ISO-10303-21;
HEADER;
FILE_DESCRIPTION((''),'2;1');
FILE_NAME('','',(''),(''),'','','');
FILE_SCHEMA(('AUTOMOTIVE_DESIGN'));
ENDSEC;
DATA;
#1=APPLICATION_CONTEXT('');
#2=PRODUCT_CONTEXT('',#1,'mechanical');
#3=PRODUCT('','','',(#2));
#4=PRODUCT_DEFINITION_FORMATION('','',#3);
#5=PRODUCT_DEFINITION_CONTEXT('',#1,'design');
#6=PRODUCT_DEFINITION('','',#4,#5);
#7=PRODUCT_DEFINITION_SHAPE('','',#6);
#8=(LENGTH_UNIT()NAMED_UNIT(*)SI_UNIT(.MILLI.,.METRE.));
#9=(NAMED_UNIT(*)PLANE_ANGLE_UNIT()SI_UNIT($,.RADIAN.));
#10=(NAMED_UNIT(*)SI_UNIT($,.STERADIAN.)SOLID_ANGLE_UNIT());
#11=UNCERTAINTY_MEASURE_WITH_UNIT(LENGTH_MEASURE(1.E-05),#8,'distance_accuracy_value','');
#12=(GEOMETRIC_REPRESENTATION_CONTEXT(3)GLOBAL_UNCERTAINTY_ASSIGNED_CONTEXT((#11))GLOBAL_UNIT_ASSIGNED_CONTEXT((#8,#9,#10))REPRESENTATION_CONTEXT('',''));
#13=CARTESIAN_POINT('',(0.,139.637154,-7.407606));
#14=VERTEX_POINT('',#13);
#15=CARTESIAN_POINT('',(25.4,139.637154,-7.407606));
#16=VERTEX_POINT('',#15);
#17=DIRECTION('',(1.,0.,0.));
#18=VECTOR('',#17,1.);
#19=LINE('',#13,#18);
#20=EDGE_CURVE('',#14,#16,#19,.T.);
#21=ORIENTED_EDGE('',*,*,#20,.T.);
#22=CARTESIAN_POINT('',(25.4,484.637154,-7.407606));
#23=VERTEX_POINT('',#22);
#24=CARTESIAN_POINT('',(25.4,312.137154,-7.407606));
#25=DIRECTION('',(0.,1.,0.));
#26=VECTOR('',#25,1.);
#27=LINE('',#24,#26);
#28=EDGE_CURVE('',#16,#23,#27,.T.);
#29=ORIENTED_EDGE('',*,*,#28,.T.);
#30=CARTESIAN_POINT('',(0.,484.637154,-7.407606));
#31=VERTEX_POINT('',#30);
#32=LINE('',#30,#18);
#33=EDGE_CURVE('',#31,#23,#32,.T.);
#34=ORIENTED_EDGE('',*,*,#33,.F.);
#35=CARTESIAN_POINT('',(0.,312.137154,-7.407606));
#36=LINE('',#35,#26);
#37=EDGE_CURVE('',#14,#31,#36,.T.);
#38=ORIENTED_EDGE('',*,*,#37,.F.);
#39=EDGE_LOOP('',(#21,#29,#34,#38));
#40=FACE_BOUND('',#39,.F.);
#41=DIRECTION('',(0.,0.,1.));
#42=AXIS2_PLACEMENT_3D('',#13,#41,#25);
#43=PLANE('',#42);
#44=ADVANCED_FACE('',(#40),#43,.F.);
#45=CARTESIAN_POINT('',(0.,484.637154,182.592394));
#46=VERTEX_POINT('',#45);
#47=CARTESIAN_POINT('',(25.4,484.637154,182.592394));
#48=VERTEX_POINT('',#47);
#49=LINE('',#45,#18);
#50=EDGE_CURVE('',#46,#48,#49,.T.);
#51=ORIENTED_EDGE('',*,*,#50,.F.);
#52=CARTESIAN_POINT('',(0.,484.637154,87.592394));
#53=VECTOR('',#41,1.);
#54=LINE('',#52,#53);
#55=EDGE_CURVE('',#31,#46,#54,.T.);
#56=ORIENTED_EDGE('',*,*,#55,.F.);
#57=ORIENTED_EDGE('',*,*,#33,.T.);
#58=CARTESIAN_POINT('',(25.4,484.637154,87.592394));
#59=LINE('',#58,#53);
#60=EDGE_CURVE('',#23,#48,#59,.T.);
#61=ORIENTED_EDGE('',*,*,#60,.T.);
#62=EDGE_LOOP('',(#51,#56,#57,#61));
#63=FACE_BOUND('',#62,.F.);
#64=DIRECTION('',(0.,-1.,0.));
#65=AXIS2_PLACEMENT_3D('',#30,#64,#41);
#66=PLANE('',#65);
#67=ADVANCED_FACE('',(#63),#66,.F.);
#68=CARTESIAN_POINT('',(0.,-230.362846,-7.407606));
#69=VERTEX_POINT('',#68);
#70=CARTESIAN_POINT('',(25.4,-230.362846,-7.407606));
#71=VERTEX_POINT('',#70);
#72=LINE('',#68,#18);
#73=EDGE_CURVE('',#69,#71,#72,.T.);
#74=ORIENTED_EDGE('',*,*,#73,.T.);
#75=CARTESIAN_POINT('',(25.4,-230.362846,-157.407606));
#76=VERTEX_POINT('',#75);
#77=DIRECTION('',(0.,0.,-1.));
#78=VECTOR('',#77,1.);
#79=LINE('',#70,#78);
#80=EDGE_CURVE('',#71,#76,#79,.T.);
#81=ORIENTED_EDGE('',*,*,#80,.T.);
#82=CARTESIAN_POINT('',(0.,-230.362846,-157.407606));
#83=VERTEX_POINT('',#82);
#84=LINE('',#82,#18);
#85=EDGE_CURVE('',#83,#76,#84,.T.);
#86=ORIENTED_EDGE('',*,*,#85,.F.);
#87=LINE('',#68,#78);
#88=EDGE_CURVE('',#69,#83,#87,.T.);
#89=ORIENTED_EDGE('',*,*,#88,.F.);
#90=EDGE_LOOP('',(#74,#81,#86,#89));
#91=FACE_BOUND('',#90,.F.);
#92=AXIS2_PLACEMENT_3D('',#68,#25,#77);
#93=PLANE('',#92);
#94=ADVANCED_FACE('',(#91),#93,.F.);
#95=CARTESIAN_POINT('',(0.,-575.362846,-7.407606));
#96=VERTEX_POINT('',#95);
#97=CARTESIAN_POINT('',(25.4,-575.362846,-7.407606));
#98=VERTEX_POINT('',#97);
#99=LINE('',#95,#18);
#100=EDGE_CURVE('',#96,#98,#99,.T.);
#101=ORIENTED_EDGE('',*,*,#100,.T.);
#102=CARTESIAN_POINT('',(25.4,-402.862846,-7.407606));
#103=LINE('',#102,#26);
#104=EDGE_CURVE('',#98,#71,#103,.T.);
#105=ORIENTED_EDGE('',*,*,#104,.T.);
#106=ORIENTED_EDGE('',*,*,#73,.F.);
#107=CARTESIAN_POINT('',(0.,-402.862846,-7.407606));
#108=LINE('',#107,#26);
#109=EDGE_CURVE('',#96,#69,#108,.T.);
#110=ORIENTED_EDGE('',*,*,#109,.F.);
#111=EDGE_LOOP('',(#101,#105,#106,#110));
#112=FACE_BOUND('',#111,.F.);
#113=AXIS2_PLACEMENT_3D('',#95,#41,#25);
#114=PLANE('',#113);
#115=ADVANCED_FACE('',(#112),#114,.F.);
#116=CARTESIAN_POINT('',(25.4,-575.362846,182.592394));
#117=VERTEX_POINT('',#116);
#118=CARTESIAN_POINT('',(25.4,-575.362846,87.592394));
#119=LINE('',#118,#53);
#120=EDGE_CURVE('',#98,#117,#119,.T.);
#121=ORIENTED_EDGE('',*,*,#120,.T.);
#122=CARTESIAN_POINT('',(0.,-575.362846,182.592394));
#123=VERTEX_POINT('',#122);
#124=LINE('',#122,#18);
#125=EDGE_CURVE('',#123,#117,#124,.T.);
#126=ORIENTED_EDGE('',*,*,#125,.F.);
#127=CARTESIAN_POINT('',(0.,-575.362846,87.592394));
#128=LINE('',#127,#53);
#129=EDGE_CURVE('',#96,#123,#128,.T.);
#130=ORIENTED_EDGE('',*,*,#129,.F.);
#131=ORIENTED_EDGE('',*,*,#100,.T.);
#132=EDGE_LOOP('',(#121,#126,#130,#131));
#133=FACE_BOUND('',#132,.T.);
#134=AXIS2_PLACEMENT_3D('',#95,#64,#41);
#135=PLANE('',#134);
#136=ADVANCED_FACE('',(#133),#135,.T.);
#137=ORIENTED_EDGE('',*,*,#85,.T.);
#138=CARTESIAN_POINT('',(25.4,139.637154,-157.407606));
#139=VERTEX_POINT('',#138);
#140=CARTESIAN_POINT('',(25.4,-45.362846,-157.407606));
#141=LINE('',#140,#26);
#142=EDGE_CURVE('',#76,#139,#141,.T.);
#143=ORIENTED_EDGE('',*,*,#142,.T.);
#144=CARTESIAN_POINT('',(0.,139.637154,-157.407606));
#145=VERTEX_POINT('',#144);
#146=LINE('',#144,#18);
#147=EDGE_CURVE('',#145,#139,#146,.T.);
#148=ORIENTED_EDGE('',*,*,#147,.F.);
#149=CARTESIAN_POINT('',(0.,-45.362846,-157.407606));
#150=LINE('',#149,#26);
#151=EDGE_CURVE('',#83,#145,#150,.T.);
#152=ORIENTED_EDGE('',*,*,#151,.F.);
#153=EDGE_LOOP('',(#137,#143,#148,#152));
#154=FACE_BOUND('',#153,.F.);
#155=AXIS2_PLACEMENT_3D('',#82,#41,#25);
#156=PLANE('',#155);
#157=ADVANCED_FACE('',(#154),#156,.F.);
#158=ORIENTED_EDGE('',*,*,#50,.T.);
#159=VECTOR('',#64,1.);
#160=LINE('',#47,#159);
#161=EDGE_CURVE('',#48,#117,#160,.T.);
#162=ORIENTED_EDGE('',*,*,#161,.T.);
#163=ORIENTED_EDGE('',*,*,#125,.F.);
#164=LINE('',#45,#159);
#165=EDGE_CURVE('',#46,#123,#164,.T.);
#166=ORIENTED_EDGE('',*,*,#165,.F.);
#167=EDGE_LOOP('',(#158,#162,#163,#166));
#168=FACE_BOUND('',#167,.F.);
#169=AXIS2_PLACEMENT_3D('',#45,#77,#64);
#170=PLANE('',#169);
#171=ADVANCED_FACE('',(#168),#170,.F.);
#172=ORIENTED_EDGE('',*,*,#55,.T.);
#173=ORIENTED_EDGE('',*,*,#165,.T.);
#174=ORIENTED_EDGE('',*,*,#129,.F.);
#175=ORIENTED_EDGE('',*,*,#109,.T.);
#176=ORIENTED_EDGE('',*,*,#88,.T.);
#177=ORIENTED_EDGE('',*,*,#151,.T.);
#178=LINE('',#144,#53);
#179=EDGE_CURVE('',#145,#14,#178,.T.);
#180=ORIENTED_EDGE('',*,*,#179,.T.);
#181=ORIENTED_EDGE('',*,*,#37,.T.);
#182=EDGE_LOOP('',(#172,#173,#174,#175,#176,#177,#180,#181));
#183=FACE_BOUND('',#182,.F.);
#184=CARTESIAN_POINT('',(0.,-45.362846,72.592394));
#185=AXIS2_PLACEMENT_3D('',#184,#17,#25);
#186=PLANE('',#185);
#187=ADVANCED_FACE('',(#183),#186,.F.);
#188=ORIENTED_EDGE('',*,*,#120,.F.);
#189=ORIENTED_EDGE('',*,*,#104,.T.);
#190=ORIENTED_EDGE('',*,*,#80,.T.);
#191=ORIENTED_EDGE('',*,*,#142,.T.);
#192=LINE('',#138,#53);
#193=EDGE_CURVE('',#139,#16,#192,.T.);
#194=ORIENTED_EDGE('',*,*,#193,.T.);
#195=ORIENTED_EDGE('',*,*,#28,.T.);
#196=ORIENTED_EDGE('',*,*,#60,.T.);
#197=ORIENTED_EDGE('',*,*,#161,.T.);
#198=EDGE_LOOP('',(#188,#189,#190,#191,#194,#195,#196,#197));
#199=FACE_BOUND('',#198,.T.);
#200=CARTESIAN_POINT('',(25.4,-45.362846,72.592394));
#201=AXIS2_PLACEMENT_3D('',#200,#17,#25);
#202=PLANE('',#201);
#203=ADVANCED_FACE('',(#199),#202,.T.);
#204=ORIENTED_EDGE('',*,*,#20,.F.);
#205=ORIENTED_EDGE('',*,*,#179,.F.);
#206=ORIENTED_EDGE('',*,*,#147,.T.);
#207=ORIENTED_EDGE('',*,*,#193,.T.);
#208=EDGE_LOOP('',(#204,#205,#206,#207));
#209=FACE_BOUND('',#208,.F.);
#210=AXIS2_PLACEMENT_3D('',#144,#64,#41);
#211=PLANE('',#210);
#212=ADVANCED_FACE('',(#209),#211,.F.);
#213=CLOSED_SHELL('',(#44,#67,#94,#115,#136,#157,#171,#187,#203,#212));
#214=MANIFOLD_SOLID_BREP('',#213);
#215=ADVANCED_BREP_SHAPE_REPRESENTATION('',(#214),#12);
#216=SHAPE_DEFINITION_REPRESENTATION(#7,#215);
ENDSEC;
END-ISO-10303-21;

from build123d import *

# Parameters (mm, degrees)
F0_W     = 345
F0_H     = 190
F0_W_2   = 370
F0_H_2   = 120
F1_DEPTH = 25.4


with BuildPart() as f1:
    # F0 (on Right) → F1 (new body)
    with BuildSketch(Plane.YZ):
        Polygon((139.637154, 182.592394), (-230.362846, 182.592394), (-230.362846, -7.407606), (-230.362846, -37.407606), (139.637154, -37.407606), (139.637154, -7.407606), align=None)
        with Locations((-402.862846, 87.592394)):
            Rectangle(F0_W, F0_H)
        with Locations((312.137154, 87.592394)):
            Rectangle(F0_W, F0_H)
        with Locations((-45.362846, -97.407606)):
            Rectangle(F0_W_2, F0_H_2)
    extrude(amount=F1_DEPTH)


solid = f1.part
